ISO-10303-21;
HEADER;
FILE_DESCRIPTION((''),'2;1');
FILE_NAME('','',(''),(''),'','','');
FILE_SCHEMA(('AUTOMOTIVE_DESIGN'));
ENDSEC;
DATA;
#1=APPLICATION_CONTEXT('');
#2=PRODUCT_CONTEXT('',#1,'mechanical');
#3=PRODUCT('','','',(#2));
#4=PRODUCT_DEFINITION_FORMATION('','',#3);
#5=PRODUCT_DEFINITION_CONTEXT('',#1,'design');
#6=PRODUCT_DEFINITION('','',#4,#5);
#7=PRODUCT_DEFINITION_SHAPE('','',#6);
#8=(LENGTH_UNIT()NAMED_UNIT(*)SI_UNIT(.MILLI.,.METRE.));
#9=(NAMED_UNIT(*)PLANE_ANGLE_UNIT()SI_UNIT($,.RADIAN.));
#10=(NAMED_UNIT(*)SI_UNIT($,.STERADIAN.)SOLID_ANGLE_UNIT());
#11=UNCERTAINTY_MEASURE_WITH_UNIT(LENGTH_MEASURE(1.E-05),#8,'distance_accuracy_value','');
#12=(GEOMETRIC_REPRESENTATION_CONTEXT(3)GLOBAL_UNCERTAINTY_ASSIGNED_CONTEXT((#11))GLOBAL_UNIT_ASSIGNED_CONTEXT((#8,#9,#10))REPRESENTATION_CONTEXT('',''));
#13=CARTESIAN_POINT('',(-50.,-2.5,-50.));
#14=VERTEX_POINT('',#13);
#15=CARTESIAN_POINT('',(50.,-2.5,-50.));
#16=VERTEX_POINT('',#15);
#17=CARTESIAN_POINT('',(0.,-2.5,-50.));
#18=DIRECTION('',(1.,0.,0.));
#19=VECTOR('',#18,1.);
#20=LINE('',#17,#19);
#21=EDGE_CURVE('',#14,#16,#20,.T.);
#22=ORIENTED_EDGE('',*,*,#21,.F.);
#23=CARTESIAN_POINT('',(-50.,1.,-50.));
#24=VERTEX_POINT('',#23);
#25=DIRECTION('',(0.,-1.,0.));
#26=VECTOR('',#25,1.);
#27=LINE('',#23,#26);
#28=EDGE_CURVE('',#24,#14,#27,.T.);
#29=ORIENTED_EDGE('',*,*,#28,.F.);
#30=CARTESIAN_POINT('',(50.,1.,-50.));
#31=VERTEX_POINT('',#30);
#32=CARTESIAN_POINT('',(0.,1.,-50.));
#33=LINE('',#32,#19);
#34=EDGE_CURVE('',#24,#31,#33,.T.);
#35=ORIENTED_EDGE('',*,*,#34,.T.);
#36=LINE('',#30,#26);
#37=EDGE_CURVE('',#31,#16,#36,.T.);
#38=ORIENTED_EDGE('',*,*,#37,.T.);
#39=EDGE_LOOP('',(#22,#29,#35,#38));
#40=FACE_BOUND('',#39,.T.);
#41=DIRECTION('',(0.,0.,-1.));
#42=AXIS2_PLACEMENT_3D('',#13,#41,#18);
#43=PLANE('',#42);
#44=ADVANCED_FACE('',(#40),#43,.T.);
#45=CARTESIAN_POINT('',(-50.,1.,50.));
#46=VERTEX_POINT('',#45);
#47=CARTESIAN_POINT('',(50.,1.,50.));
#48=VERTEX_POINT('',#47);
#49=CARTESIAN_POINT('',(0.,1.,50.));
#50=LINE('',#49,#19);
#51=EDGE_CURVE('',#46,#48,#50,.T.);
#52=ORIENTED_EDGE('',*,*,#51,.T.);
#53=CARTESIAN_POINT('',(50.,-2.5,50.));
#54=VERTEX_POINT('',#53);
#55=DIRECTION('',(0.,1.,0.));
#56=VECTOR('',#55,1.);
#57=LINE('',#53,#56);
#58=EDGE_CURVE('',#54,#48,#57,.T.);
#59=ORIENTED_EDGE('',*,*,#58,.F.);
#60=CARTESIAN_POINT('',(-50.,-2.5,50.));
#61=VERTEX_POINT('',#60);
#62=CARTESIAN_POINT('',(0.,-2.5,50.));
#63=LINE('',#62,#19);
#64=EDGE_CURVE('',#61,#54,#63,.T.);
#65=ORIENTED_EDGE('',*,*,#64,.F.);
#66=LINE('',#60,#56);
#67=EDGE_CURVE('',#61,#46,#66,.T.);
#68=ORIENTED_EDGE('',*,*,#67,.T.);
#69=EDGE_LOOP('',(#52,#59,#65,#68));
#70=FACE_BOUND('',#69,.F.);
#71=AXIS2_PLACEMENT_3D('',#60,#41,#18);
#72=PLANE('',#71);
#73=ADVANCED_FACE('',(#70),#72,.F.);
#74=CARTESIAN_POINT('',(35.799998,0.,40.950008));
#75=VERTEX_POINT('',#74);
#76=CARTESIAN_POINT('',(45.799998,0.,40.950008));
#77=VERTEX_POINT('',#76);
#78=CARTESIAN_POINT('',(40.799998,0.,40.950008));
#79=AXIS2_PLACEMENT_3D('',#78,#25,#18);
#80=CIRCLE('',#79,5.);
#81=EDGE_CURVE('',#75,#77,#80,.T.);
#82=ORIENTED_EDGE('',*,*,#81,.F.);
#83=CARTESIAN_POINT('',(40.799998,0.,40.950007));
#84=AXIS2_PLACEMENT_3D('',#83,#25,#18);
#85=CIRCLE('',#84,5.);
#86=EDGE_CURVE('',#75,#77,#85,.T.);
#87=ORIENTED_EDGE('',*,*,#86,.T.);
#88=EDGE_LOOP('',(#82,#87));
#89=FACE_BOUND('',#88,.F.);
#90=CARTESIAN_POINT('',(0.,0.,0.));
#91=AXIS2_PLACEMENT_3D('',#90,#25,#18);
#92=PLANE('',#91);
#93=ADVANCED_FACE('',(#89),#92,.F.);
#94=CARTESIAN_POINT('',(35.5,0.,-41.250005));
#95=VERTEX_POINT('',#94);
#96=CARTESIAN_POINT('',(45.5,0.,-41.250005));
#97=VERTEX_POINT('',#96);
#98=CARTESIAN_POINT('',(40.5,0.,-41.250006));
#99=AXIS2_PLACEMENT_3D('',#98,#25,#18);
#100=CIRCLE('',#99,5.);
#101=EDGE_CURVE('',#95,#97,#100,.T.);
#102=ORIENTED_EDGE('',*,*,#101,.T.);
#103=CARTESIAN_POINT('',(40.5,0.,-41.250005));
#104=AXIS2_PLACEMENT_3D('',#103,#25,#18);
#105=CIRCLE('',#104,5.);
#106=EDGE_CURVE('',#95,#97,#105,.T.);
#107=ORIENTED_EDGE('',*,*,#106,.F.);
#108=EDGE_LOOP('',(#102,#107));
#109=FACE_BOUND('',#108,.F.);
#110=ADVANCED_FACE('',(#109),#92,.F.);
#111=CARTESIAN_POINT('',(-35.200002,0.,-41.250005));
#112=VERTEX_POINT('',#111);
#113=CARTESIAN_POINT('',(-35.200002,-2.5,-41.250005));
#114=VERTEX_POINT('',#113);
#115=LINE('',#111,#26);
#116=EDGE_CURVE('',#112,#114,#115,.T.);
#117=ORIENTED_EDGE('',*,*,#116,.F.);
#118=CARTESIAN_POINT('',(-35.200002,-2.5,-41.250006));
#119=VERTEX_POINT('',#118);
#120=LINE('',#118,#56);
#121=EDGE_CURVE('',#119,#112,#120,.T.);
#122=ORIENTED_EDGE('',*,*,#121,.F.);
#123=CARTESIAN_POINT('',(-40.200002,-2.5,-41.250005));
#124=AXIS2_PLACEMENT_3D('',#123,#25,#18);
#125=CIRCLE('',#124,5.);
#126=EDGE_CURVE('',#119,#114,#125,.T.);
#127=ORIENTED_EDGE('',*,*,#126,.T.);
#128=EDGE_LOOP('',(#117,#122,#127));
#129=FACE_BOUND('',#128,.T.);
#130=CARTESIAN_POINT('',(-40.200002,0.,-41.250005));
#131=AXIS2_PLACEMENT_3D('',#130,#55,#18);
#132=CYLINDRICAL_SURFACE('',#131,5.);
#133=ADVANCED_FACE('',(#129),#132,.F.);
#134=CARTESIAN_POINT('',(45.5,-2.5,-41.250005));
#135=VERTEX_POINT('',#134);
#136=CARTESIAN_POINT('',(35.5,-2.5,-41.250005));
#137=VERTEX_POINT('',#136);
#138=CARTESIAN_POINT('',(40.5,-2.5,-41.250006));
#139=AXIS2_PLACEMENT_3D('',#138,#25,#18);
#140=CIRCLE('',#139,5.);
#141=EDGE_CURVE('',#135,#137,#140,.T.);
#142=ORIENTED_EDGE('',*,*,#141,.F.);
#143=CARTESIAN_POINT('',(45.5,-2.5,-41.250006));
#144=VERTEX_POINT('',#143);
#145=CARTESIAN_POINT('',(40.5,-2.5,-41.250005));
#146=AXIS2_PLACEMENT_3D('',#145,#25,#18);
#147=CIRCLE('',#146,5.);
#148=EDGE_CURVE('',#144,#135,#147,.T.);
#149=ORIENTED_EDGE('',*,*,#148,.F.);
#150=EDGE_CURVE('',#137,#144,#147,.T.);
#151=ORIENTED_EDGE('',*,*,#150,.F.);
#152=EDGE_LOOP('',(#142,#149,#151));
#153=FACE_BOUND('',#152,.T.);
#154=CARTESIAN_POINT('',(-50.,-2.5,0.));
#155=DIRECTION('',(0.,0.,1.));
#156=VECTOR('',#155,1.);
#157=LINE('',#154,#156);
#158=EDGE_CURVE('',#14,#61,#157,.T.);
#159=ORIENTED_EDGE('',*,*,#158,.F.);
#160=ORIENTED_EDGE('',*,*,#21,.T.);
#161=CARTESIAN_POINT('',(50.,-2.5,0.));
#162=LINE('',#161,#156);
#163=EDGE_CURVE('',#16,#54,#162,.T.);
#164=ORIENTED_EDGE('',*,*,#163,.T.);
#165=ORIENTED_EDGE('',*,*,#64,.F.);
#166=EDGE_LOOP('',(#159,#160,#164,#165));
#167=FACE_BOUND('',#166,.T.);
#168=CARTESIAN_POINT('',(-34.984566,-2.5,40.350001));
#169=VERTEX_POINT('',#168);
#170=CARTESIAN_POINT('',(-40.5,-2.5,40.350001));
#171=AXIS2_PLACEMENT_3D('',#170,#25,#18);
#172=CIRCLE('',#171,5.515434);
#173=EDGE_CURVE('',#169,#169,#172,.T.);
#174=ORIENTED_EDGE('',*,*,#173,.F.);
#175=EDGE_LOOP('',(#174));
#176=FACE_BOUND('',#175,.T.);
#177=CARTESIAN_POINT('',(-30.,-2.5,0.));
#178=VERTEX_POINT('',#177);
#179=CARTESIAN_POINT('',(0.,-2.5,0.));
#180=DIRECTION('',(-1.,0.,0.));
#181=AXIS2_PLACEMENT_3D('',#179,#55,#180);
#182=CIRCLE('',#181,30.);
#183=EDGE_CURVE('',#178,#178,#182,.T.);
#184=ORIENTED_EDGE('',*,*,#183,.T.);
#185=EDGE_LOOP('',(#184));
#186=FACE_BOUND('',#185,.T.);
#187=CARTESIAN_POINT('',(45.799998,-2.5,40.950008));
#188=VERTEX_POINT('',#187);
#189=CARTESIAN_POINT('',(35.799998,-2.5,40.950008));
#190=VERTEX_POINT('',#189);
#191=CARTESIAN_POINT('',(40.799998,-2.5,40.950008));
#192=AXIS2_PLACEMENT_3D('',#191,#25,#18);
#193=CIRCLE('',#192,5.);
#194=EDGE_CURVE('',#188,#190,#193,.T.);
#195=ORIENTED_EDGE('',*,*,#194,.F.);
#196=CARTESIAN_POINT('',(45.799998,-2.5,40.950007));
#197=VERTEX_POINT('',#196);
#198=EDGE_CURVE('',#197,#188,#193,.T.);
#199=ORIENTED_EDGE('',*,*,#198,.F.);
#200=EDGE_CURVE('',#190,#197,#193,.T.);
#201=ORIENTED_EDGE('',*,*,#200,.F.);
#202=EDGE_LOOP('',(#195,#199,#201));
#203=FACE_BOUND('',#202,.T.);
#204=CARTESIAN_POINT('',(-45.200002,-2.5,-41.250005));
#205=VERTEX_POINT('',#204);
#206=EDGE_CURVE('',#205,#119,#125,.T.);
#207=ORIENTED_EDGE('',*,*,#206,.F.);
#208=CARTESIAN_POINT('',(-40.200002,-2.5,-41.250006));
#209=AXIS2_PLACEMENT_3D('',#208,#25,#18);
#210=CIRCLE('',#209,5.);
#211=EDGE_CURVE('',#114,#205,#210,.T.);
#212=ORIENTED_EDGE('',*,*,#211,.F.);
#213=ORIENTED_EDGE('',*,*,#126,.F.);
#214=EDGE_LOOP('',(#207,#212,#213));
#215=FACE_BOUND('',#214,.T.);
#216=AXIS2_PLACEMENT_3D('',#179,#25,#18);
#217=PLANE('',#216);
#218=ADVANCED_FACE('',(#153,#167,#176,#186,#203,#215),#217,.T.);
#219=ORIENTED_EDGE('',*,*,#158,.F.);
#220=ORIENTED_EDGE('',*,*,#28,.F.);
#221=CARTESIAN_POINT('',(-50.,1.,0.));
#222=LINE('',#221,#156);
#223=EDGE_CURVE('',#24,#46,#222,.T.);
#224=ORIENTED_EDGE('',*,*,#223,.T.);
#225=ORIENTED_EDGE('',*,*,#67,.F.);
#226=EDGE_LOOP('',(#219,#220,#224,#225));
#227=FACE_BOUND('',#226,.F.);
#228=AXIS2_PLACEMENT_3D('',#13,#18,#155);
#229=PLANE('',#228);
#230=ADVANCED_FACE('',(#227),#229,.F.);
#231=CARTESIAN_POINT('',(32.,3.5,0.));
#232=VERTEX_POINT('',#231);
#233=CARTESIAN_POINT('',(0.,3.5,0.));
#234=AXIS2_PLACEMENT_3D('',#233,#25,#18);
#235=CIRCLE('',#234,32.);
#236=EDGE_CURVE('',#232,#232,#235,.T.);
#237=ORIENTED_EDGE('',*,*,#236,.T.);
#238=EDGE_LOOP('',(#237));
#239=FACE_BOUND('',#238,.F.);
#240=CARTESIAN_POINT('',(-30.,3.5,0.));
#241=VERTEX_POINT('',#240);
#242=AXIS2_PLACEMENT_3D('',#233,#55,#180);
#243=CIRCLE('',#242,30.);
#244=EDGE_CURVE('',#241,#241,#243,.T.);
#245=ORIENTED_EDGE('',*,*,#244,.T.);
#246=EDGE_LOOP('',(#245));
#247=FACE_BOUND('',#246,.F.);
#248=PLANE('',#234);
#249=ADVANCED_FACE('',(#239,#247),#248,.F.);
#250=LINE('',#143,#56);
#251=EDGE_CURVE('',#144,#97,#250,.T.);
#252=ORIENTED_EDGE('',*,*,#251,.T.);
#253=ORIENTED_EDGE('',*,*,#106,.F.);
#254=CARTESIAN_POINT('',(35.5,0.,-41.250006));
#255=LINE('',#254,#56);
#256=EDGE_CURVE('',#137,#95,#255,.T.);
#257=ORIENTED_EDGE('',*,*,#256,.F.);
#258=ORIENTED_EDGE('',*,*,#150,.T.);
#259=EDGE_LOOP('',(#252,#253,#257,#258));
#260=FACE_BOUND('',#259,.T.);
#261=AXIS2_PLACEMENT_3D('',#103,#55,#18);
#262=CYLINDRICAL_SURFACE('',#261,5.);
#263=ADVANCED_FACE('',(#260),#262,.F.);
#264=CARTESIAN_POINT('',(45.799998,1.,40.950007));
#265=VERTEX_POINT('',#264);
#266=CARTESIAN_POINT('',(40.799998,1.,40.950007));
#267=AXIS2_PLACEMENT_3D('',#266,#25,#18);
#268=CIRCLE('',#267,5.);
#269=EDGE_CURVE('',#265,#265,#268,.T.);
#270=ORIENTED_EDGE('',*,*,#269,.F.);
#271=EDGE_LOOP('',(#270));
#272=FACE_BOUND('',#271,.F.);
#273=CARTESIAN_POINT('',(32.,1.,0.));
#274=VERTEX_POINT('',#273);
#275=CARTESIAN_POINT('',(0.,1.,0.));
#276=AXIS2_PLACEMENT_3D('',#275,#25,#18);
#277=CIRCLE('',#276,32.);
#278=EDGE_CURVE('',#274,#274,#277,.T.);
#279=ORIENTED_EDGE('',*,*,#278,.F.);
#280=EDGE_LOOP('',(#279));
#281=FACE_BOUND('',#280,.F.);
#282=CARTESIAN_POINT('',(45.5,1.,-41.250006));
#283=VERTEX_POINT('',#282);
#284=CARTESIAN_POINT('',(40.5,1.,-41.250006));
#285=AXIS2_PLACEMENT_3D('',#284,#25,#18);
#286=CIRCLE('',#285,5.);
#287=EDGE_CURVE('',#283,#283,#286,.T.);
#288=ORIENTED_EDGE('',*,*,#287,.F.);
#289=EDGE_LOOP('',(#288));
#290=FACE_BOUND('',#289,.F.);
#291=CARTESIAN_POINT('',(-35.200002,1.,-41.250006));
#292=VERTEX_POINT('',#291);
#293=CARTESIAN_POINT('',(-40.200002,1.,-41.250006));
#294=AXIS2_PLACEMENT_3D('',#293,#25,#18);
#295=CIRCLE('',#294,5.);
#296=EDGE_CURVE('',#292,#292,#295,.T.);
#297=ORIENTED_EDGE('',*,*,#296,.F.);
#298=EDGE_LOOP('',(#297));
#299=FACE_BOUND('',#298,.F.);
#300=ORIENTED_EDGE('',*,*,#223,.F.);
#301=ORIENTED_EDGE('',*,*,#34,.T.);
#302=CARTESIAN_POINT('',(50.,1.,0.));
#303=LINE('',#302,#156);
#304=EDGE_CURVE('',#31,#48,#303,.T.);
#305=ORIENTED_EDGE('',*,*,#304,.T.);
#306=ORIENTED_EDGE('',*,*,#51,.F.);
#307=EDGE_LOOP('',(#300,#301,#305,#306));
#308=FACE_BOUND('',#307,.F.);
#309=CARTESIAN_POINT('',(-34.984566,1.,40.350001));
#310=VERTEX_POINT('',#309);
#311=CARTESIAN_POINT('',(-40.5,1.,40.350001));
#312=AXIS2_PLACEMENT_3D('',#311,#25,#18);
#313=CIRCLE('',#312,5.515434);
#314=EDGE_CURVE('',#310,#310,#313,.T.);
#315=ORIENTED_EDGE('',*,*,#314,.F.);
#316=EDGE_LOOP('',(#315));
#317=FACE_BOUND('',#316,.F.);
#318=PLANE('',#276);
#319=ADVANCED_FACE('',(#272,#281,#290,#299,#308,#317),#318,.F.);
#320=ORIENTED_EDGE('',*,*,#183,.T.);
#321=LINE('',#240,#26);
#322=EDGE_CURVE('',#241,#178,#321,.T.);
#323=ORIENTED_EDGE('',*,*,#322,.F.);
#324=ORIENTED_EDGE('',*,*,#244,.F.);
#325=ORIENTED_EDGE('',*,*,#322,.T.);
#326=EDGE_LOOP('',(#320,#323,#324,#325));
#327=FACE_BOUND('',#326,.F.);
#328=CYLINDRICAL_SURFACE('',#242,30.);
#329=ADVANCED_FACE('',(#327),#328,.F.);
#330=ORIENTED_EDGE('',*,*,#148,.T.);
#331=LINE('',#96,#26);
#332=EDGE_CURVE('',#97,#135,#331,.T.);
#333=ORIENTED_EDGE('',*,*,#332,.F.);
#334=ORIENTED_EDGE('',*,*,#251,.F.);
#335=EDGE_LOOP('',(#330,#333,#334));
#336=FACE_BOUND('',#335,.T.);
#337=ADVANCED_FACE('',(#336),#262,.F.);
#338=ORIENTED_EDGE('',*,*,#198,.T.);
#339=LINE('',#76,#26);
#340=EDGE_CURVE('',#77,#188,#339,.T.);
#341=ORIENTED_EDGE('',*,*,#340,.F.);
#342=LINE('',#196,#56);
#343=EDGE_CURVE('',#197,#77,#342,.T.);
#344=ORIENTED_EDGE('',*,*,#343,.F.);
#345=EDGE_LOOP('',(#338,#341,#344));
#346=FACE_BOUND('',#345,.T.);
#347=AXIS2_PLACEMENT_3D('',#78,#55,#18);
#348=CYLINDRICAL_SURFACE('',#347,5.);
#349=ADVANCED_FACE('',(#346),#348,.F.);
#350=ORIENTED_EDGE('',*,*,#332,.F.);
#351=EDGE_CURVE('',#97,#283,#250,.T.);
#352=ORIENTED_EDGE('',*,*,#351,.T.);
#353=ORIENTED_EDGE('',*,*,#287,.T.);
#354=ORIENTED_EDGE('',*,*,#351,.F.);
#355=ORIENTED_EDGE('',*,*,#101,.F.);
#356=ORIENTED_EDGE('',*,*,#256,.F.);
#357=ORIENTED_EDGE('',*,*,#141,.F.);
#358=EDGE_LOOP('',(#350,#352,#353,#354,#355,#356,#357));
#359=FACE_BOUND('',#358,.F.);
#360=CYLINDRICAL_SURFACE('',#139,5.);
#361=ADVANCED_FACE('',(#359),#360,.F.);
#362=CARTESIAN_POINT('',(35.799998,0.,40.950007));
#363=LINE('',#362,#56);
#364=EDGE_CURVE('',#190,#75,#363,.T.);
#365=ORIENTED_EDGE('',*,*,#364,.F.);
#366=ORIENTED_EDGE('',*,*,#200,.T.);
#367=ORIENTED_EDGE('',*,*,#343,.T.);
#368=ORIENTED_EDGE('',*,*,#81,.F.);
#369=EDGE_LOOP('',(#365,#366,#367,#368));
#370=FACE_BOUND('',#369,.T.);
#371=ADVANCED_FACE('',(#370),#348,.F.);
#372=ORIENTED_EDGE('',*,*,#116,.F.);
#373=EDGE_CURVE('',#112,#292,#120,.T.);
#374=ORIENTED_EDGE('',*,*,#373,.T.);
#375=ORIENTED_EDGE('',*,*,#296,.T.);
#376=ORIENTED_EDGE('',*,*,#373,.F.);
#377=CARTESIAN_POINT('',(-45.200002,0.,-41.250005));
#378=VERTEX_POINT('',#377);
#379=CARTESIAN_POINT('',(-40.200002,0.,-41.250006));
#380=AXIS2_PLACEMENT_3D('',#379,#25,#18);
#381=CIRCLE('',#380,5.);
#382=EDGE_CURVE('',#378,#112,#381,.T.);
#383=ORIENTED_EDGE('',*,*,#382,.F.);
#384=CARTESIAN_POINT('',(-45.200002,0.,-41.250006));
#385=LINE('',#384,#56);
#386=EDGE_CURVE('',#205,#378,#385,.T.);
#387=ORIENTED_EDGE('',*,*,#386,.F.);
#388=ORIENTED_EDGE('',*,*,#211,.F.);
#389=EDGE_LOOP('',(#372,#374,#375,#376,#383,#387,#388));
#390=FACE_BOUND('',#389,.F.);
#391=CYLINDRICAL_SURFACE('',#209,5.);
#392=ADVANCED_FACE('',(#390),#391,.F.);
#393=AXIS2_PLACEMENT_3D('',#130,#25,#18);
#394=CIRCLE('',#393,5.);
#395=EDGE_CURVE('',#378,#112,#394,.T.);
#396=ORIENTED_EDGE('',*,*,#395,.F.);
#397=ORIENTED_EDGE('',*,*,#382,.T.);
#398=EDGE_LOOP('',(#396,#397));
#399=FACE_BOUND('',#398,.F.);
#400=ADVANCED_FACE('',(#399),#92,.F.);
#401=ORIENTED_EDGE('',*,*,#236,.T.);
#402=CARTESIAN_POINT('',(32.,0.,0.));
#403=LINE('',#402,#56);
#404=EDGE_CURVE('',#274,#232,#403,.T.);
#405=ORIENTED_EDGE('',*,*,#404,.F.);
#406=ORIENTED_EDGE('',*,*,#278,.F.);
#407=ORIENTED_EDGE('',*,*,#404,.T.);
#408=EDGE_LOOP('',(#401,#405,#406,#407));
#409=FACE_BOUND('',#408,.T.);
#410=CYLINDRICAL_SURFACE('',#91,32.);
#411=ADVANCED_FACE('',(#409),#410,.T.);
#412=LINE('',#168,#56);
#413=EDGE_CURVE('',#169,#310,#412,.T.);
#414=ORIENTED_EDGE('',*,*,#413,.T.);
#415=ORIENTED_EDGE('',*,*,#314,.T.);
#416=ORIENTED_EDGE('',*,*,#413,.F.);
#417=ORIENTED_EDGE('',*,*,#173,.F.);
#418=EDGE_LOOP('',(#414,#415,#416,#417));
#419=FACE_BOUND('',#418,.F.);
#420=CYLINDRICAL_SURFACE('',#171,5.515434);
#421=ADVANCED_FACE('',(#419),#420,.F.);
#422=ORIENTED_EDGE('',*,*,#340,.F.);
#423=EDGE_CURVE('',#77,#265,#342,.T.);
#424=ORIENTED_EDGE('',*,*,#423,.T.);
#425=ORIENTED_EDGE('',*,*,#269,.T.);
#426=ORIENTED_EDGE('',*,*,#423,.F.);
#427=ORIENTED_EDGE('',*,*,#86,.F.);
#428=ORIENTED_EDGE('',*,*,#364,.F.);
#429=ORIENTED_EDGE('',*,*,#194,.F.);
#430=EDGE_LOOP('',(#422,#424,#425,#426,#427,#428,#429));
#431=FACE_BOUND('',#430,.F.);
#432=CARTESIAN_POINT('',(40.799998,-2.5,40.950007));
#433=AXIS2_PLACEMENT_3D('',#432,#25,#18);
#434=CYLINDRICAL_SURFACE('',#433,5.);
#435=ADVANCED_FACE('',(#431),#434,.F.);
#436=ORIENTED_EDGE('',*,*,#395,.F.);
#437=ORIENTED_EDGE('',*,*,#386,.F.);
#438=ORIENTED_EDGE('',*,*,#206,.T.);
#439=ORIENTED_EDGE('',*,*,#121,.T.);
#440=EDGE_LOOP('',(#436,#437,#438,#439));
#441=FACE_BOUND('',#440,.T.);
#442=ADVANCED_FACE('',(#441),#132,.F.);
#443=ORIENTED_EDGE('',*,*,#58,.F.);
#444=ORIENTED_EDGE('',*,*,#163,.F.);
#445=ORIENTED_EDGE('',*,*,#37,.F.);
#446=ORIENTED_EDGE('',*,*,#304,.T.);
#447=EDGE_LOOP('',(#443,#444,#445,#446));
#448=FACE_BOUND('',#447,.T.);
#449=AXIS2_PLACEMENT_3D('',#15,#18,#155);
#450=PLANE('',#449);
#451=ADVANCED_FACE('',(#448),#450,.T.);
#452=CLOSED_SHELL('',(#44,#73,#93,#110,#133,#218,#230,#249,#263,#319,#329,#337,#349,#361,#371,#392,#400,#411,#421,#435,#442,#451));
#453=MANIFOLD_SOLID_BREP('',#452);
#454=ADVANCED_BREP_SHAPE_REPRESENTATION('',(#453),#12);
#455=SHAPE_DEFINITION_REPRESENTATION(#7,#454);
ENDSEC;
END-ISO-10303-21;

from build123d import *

# Parameters (mm, degrees)
F0_W        = 100
F0_H        = 100
F0_R        = 5
F0_R_2      = 5.515434
F0_R_3      = 32
F1_DEPTH    = 2.5
F1_FACE_W   = 100
F1_FACE_H   = 100
F1_FACE_R   = 5
F1_FACE_R_2 = 5.515434
F2_DEPTH    = 3.5
F3_R        = 30
F4_DEPTH    = 25


with BuildPart() as f1:
    # F0 (on Front) → F1 (new body)
    with BuildSketch(Plane.XZ):
        Rectangle(F0_W, F0_H)
        with Locations((-40.200002, -41.250005)):
            Circle(F0_R, mode=Mode.SUBTRACT)
        with Locations((40.5, -41.250005)):
            Circle(F0_R, mode=Mode.SUBTRACT)
        with Locations((-40.5, 40.350001)):
            Circle(F0_R_2, mode=Mode.SUBTRACT)
        Circle(F0_R_3, mode=Mode.SUBTRACT)
        with Locations((40.799998, 40.950008)):
            Circle(F0_R, mode=Mode.SUBTRACT)
        Circle(F0_R_3)
    extrude(amount=F1_DEPTH)

    # F0 (on Front) + F1_face (on face) → F2 (join)
    with BuildSketch(Plane.XZ):
        Circle(F0_R_3)
    with BuildSketch(Plane(origin=(0.06645, -2.5, -0.061312), x_dir=(1, 0, 0), z_dir=(0, -1, 0))):
        with Locations((-0.06645, 0.061312)):
            Rectangle(F1_FACE_W, F1_FACE_H)
        with Locations((-40.266452, -41.188694)):
            Circle(F1_FACE_R, mode=Mode.SUBTRACT)
        with Locations((40.43355, -41.188694)):
            Circle(F1_FACE_R, mode=Mode.SUBTRACT)
        with Locations((-40.56645, 40.411313)):
            Circle(F1_FACE_R_2, mode=Mode.SUBTRACT)
        with Locations((40.733548, 41.011319)):
            Circle(F1_FACE_R, mode=Mode.SUBTRACT)
    extrude(amount=-F2_DEPTH)

    # F3 (on face) → F4 (cut)
    with BuildSketch(Plane(origin=(0, 3.5, 0), x_dir=(-1, 0, 0), z_dir=(0, 1, 0))):
        Circle(F3_R)
    extrude(amount=-F4_DEPTH, mode=Mode.SUBTRACT)


solid = f1.part
